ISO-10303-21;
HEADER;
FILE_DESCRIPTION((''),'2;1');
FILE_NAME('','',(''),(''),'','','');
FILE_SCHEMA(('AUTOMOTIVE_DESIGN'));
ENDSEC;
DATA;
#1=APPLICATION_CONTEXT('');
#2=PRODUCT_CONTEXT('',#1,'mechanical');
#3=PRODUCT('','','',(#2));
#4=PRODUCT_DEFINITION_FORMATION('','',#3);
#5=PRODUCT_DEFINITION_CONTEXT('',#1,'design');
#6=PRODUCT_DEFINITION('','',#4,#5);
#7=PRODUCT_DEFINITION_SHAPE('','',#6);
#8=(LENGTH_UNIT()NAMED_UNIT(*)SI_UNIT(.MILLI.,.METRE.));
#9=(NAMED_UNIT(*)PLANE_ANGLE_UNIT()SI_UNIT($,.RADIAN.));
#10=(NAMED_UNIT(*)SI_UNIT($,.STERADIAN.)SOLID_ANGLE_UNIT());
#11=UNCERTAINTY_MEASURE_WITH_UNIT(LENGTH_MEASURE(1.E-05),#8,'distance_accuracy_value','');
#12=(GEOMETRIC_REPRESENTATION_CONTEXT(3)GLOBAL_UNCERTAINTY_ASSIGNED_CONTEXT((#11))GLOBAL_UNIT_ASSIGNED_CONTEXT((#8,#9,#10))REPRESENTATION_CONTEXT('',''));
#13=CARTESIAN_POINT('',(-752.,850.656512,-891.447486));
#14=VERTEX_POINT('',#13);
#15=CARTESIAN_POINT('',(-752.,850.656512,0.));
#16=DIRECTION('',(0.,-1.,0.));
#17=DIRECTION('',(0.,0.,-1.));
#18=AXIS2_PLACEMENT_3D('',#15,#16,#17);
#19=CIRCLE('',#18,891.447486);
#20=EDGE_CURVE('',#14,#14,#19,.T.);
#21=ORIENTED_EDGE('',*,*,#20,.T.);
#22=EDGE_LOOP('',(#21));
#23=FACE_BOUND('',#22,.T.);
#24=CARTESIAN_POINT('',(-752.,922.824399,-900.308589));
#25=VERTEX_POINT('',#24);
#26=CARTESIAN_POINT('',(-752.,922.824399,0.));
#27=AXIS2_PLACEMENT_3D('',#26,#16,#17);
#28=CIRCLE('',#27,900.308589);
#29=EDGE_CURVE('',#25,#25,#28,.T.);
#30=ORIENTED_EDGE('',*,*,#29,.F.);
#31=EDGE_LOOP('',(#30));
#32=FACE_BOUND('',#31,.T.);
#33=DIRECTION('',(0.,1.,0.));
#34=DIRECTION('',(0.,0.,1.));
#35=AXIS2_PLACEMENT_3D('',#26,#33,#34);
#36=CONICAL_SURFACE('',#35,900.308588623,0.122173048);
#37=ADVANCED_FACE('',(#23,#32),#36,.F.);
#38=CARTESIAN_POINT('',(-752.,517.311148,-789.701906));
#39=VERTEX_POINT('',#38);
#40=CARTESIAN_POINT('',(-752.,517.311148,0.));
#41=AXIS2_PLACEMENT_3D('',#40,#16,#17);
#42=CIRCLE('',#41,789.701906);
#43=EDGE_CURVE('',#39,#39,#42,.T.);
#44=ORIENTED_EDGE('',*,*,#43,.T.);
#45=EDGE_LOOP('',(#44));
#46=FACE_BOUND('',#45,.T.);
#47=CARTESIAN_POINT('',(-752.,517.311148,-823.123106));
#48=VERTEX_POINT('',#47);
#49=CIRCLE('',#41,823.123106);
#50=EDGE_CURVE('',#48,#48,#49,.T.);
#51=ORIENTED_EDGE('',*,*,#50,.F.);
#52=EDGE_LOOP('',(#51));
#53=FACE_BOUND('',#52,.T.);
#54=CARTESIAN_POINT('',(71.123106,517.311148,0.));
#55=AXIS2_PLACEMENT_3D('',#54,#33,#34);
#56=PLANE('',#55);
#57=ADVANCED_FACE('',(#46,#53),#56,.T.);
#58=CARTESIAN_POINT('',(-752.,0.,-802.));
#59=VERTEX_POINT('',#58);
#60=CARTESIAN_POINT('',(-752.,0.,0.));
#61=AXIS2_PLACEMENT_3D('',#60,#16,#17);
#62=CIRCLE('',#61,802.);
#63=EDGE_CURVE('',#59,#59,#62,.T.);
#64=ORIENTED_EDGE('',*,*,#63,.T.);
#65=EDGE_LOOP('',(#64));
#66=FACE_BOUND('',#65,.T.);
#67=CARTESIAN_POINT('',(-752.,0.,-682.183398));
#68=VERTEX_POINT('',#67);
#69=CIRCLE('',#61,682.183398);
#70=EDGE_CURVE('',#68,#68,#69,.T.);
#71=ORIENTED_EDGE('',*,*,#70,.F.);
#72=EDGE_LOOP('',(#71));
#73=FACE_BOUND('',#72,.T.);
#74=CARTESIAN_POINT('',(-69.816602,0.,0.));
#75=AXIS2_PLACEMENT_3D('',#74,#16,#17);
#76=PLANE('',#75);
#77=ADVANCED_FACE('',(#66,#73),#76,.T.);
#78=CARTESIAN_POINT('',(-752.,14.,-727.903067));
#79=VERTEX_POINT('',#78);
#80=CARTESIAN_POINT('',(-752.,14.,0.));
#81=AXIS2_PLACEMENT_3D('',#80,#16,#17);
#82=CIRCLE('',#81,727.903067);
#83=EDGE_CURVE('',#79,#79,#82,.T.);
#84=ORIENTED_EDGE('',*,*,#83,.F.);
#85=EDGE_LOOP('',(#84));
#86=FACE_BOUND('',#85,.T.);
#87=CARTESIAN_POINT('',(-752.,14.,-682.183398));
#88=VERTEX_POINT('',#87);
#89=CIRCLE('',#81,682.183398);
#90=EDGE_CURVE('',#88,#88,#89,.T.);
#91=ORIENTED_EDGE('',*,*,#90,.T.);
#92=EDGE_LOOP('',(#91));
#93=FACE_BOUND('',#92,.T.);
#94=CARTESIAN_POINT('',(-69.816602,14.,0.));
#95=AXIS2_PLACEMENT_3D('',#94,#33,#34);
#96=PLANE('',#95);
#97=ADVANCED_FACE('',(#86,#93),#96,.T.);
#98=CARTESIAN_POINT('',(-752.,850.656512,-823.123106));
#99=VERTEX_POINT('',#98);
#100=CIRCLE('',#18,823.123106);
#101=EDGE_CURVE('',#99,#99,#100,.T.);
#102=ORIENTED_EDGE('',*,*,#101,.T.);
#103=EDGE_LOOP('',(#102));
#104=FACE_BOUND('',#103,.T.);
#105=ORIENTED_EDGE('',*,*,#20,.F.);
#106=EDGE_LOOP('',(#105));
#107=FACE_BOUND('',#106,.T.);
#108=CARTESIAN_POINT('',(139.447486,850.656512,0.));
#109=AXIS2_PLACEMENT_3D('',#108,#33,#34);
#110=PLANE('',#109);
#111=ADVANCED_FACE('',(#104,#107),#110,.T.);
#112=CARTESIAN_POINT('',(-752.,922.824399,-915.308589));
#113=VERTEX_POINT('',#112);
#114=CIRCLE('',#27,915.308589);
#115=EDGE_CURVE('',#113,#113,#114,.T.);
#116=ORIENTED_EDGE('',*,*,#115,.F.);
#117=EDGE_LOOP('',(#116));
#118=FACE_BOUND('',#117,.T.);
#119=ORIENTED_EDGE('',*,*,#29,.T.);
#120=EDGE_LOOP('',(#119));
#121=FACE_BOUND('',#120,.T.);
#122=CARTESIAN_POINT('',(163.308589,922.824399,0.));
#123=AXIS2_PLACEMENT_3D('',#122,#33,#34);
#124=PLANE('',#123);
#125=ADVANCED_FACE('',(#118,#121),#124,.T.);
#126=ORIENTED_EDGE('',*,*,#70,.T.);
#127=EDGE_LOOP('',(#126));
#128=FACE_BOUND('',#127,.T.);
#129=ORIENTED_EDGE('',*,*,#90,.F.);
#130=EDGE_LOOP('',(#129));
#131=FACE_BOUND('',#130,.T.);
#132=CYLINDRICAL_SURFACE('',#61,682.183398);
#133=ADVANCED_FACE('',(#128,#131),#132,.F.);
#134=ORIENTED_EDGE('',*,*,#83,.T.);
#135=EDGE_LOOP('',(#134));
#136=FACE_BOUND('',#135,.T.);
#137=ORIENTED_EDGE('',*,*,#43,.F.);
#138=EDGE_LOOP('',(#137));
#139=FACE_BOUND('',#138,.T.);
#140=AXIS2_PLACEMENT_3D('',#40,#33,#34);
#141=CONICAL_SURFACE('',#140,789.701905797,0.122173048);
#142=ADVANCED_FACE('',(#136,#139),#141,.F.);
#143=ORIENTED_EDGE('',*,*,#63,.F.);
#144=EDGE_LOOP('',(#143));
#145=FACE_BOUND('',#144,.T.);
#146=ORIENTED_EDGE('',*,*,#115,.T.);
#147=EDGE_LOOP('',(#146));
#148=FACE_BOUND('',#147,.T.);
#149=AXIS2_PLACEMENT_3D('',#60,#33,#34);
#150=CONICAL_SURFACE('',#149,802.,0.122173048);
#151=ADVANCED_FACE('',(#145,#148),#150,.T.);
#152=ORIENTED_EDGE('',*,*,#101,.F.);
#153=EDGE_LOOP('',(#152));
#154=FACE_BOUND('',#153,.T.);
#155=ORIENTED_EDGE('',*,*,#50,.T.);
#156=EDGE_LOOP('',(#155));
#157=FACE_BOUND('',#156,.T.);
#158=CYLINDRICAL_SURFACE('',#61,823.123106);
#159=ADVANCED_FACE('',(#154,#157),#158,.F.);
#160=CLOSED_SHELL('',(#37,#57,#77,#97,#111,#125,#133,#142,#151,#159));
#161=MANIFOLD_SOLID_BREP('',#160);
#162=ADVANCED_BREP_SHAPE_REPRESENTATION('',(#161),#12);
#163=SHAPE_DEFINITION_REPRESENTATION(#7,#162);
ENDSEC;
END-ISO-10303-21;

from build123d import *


with BuildPart() as part:
    # 草图1 → 旋转1 (revolve)
    with BuildSketch(Plane.XY):
        Polygon((-69.816601852, 0), (50, 0), (163.308588623, 922.824399012), (148.308588623, 922.824399012), (139.44748626, 850.656511633), (71.123106287, 850.656511633), (71.123106287, 517.311147979), (37.701905797, 517.311147979), (-24.096932505, 14), (-69.816601852, 14), align=None)
    revolve(axis=Axis((-752, 0, 0), (0, 1, 0)))


solid = part.part
